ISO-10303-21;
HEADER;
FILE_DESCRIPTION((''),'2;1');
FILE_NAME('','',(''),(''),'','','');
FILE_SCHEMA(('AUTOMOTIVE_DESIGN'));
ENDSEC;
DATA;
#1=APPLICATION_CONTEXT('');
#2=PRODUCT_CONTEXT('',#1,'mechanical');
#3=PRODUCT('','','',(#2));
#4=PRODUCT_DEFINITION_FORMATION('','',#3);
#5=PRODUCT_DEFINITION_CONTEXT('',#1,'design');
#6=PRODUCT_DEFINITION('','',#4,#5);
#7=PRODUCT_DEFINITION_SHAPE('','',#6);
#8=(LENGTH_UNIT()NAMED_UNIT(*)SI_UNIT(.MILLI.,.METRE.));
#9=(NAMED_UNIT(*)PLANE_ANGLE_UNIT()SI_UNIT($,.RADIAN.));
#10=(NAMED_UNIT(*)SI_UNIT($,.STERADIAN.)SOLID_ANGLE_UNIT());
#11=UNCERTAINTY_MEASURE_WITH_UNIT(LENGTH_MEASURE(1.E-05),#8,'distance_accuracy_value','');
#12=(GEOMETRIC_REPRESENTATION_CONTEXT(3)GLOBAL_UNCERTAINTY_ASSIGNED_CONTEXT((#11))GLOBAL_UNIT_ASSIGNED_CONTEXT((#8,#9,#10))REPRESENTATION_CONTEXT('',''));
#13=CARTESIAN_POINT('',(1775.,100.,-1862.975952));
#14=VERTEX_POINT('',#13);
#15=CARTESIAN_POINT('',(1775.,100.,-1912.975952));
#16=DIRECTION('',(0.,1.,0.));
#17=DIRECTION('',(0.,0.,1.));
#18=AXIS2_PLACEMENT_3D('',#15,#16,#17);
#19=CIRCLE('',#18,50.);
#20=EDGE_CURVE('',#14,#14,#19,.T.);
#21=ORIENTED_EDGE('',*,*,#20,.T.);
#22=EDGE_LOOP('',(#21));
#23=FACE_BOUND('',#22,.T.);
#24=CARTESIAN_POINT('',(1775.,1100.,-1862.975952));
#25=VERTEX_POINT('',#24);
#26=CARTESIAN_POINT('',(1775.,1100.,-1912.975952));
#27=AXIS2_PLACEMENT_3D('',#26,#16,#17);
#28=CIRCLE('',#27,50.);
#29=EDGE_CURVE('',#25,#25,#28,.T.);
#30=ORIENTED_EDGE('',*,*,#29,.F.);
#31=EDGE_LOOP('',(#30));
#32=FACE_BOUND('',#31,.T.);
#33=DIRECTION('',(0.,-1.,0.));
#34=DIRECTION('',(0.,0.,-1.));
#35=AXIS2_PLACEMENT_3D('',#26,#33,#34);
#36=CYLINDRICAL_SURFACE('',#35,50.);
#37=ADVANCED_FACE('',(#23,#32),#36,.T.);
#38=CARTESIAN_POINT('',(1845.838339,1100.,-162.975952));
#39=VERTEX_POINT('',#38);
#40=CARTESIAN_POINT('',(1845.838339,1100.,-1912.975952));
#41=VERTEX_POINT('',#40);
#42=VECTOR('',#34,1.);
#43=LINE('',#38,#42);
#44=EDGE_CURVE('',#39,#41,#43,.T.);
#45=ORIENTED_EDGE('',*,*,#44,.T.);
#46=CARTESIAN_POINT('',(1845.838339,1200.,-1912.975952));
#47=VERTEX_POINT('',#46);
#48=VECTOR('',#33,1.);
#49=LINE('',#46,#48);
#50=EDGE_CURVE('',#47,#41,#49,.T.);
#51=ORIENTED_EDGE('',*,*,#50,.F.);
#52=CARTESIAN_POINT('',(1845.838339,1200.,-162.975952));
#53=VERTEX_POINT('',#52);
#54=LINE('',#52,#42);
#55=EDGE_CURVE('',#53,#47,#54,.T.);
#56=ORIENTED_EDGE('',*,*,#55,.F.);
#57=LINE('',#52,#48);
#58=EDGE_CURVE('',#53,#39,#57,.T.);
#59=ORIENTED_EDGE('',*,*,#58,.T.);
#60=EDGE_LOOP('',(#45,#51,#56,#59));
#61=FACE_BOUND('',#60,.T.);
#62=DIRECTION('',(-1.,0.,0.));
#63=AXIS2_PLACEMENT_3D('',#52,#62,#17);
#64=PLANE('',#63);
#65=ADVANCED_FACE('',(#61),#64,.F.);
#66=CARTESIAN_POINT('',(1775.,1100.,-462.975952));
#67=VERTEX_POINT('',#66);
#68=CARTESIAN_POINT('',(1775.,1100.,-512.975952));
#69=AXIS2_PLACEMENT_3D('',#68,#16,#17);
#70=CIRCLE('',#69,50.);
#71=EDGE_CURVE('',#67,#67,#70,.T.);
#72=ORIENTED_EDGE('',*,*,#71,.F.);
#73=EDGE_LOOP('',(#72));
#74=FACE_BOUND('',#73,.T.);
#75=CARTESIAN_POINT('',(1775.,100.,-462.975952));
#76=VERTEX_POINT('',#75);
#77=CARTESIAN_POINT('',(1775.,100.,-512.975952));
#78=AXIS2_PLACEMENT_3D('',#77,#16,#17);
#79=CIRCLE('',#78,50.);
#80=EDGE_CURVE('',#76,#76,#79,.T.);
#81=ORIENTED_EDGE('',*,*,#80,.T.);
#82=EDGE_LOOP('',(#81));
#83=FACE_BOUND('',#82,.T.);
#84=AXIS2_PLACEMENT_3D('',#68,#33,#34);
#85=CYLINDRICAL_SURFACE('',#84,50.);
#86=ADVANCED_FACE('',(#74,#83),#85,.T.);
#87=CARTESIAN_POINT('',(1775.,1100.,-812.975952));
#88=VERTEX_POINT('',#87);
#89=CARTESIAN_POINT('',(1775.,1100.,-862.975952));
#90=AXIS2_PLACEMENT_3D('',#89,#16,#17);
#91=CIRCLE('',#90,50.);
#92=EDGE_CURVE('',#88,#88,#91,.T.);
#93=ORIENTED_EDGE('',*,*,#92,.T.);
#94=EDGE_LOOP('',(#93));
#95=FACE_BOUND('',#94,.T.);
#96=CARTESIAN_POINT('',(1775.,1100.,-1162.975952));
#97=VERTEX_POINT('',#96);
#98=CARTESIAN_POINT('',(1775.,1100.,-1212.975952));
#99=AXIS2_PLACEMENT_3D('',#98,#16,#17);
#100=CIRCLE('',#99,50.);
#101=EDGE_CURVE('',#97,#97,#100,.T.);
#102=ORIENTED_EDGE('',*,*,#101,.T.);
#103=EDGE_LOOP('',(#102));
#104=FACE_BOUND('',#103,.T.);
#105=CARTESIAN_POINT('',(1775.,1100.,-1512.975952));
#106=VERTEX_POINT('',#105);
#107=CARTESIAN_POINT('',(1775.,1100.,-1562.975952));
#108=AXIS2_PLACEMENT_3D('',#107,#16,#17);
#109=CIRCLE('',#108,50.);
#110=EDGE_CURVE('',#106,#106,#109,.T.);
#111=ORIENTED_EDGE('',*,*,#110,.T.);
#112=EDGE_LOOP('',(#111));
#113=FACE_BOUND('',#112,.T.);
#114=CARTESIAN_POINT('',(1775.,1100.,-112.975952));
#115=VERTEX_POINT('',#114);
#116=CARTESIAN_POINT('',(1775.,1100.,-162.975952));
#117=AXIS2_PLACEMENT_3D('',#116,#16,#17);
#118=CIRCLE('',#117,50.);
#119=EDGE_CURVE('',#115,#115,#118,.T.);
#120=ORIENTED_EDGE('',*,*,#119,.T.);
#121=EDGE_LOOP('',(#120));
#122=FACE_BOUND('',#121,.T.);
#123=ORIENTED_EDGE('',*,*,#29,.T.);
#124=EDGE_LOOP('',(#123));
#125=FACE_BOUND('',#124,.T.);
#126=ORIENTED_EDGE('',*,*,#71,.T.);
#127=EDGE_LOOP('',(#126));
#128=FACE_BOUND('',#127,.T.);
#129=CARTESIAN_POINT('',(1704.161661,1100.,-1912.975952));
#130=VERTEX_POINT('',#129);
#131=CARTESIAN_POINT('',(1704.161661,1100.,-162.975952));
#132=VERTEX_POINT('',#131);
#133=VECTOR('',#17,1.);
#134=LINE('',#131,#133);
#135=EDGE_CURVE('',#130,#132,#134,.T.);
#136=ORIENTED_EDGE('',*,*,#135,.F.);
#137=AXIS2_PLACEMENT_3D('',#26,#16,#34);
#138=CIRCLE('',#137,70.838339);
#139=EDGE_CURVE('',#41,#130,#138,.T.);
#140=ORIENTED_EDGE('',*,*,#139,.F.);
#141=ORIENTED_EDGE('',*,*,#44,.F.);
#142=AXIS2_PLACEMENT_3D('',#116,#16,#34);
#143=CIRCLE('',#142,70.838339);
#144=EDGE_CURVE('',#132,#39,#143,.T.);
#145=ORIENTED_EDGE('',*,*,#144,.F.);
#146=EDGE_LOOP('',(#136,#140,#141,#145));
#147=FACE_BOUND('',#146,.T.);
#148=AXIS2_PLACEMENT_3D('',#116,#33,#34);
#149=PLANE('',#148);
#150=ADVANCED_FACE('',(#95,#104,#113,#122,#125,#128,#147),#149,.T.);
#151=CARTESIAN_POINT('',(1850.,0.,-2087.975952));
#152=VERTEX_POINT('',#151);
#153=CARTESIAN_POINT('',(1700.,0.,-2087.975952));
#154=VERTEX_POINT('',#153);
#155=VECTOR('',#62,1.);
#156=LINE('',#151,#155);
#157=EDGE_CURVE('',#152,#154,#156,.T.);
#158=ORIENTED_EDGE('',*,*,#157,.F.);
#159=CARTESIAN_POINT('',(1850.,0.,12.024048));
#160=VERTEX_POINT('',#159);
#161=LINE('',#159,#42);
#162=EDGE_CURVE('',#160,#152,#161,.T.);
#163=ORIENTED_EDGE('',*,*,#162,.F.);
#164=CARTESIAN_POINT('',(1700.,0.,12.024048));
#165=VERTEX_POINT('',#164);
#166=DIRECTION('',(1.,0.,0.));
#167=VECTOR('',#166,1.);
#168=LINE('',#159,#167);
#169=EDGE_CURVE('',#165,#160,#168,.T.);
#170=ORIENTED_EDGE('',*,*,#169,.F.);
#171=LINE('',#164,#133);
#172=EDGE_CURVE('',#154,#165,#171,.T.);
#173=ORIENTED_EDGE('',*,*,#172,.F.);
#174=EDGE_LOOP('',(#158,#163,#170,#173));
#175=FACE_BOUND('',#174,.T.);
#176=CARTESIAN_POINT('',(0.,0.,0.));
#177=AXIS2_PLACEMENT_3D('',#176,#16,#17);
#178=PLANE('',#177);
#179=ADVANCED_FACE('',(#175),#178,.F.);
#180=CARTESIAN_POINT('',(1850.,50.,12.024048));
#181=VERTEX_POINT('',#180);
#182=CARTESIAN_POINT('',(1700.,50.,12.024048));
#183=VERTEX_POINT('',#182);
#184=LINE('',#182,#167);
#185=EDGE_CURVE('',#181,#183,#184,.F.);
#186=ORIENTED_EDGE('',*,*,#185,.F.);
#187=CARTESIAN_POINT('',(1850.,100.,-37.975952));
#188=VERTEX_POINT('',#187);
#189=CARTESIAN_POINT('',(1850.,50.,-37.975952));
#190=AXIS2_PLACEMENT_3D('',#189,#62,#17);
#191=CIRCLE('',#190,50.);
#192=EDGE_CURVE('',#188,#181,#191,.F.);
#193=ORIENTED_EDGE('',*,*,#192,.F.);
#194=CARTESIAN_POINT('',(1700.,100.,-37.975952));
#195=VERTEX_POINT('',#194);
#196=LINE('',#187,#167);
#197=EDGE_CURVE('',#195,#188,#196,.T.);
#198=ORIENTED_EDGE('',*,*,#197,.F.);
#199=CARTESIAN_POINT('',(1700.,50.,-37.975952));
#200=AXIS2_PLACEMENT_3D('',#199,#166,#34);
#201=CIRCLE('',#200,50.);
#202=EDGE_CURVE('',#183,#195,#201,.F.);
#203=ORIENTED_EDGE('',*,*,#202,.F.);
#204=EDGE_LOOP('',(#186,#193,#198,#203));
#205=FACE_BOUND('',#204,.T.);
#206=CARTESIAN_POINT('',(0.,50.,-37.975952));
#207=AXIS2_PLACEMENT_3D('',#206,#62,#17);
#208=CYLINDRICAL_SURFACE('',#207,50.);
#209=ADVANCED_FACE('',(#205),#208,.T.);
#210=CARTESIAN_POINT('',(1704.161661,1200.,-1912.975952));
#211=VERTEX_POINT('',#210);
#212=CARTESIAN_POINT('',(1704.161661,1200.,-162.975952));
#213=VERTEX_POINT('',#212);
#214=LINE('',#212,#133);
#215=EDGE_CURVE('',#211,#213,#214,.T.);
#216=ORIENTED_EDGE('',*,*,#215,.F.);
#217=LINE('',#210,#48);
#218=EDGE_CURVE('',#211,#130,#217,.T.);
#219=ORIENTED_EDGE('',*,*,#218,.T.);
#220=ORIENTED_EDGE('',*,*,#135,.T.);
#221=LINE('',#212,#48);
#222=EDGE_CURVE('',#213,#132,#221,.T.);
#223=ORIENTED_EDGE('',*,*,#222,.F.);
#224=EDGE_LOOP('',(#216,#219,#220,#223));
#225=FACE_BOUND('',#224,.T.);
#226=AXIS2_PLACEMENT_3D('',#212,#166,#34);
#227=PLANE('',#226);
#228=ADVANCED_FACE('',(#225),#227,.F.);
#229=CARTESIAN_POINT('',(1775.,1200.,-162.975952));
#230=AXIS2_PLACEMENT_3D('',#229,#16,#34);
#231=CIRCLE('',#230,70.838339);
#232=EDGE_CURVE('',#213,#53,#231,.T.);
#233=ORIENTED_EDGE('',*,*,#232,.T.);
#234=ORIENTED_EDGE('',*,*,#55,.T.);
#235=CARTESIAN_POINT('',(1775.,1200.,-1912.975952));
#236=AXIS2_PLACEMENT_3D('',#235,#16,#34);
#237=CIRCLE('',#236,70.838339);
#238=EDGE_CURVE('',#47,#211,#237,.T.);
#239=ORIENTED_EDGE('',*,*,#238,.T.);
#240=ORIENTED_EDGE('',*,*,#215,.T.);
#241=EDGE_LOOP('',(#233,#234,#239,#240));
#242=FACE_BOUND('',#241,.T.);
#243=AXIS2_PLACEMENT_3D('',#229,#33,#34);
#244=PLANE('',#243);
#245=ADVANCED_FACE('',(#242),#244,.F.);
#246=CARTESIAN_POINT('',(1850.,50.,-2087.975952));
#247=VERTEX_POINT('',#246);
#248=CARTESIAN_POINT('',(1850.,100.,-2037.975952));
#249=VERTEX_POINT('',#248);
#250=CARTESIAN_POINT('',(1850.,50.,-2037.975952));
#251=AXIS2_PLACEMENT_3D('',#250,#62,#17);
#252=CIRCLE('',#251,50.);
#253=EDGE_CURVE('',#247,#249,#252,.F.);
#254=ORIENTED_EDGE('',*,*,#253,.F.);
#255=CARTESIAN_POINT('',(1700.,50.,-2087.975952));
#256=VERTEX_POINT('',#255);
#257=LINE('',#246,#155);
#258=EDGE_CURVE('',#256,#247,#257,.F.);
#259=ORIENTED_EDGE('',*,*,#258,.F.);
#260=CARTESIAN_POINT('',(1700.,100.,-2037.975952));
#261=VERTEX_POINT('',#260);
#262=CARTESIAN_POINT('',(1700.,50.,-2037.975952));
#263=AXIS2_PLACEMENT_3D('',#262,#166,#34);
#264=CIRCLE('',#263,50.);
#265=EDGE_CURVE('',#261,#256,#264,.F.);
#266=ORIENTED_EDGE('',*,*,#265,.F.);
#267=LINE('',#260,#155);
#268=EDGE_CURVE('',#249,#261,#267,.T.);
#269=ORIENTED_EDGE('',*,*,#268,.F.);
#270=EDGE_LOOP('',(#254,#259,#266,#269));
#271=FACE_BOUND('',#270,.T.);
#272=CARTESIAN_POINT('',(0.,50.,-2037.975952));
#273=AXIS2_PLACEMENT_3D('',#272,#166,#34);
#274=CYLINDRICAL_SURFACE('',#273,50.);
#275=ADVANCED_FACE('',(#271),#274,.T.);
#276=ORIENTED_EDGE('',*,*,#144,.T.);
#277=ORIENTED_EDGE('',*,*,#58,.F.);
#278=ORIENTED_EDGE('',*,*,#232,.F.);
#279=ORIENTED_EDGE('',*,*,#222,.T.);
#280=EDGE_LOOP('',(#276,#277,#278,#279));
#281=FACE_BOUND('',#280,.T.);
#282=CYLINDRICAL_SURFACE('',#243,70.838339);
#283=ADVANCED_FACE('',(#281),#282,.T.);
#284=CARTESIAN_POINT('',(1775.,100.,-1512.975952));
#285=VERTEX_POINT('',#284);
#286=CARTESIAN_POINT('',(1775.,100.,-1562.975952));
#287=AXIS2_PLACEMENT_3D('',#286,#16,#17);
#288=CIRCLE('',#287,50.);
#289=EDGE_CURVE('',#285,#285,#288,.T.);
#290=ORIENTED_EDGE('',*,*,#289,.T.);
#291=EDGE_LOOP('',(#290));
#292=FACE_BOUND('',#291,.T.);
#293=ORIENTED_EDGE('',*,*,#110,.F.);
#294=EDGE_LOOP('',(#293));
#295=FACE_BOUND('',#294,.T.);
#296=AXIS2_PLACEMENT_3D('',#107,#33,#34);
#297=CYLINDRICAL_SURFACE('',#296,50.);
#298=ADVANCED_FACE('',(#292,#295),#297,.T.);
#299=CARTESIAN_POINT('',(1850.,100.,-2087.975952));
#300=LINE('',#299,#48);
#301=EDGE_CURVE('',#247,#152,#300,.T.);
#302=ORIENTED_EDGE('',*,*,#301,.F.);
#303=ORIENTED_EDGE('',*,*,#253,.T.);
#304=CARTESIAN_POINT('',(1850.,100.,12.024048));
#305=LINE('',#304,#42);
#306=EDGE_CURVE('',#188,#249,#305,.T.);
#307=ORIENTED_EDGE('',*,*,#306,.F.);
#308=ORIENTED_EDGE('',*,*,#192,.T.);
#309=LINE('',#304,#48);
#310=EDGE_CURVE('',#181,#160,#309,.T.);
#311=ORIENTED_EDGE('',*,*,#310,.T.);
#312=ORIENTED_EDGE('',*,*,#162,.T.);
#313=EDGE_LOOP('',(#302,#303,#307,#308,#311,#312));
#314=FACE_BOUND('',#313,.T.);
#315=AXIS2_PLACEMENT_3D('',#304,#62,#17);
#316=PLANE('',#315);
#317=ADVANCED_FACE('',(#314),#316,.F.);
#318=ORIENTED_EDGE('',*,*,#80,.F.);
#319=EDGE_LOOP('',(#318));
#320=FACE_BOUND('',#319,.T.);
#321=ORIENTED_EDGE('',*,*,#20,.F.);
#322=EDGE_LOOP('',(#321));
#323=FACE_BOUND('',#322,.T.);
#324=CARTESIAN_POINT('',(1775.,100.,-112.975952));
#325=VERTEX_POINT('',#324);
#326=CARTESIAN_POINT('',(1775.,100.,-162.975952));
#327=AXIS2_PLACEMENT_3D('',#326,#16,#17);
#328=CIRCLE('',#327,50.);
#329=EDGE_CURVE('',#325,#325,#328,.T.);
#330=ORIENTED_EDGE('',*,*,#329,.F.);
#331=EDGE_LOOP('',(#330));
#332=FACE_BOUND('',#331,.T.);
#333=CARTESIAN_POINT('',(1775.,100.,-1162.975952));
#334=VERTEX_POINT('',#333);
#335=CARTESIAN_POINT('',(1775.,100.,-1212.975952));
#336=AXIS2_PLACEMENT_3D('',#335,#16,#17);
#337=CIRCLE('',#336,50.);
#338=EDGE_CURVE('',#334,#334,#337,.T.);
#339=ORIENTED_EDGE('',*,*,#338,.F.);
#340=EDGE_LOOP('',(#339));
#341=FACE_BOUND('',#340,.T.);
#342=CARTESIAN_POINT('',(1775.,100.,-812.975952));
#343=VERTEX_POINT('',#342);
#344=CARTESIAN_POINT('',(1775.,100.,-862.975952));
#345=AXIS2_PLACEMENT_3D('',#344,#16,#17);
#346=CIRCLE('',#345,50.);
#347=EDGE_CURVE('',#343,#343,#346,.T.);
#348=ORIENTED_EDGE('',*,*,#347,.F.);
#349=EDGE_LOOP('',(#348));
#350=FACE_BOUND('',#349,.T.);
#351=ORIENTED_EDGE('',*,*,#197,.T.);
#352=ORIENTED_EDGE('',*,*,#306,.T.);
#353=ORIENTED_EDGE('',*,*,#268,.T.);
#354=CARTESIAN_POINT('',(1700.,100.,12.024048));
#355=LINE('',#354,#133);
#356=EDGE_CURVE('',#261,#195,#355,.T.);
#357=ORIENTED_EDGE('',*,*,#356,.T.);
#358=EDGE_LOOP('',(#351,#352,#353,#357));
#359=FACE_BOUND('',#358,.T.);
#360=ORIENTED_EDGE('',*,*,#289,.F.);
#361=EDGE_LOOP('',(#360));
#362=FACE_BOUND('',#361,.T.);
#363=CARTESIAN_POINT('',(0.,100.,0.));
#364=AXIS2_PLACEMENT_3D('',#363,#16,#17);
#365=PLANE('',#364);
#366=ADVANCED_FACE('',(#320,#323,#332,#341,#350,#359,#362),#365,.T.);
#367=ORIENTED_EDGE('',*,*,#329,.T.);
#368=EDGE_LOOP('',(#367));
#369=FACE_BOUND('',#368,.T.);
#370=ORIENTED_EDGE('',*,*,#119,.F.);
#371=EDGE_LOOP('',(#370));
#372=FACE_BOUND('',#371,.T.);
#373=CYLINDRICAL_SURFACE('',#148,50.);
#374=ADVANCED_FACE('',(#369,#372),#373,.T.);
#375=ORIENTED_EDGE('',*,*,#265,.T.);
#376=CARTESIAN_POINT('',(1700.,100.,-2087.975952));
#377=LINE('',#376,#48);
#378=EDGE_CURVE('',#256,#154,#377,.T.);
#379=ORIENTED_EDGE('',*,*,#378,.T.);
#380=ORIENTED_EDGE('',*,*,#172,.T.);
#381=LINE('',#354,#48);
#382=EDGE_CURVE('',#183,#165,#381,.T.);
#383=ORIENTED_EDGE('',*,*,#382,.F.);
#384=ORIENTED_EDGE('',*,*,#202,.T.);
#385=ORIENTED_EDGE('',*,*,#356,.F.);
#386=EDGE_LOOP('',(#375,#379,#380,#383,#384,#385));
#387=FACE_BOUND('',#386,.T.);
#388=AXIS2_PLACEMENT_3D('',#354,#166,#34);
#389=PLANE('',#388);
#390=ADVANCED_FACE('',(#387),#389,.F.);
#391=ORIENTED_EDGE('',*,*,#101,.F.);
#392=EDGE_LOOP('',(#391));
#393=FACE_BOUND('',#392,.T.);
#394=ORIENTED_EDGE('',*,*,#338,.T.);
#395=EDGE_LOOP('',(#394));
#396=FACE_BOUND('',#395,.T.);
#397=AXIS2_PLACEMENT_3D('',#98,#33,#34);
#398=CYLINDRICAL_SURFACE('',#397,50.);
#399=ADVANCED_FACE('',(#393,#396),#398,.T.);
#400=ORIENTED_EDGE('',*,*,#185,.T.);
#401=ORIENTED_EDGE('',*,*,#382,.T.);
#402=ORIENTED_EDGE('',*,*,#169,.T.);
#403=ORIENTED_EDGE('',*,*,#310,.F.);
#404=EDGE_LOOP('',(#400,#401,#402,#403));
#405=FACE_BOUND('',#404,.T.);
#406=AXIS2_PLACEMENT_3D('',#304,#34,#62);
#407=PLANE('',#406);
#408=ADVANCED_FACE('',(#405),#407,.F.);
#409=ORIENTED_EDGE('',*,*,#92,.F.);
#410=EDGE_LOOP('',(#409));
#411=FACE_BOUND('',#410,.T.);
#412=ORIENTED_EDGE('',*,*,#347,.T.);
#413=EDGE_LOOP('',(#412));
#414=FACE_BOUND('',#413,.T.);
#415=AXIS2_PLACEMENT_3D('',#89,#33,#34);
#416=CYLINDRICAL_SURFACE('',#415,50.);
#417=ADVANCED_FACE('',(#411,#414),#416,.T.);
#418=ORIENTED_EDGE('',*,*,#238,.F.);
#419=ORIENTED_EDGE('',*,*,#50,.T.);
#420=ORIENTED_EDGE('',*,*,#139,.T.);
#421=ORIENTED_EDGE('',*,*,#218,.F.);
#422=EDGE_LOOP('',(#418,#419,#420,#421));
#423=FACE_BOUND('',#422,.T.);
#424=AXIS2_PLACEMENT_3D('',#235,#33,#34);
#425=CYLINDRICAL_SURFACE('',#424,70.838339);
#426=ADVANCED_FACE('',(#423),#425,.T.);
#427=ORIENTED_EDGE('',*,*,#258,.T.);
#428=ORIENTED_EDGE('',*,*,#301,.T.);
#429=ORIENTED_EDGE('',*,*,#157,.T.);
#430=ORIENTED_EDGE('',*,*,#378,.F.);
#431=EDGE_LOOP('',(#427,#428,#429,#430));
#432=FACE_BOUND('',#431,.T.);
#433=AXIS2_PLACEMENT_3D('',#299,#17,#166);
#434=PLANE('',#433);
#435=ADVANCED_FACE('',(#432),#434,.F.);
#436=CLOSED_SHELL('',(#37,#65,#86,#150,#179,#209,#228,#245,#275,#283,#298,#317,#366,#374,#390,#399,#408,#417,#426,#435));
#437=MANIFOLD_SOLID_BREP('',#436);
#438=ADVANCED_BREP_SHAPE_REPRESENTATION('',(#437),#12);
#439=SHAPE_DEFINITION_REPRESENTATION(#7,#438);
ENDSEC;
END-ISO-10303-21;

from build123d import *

# Parameters (mm, degrees)
SKETCH2_W               = 150
SKETCH2_H               = 2100
BOSS_EXTRUDE3_DEPTH     = 100
BOSS_EXTRUDE3_2_DEPTH   = 100
SKETCH3_R               = 50
BOSS_EXTRUDE4_DEPTH     = 1000
LPATTERN1_COUNT         = 6
LPATTERN1_PITCH         = 350
SKETCH5_R               = 50
BOSS_EXTRUDE5_DEPTH     = 1000
LPATTERN2_COUNT         = 6
LPATTERN2_PITCH         = 350
FILLET1_R               = 50
FILLET2_R               = 50
FILLET3_R               = 50
FILLET4_R               = 50
BOSS_EXTRUDE8_DEPTH     = 100
CUT_EXTRUDE1_DEPTH      = 2000
CUT_EXTRUDE1_DEPTH_BACK = 2000
SKETCH14_W              = 805.257541721
SKETCH14_H              = 2502.966116942


with BuildPart() as part:
    # Sketch2 → Boss-Extrude3 (new body)
    with BuildSketch(Plane(origin=(0, 0, 0), x_dir=(1, 0, 0), z_dir=(0, 1, 0))):
        with Locations((1775, 1037.975951904)):
            Rectangle(SKETCH2_W, SKETCH2_H)
    extrude(amount=BOSS_EXTRUDE3_DEPTH)

    # Sketch5 → Boss-Extrude5 (add)
    with BuildSketch(Plane(origin=(0, 100, 0), x_dir=(1, 0, 0), z_dir=(0, 1, 0))):
        with Locations(Location((1775, 1912.975951904, 0), (0, 0, 270))):
            Circle(SKETCH5_R)
    boss_extrude5 = extrude(amount=BOSS_EXTRUDE5_DEPTH)

    # LPattern2: Boss-Extrude5 ×6
    with Locations(*[(0, 0, i * LPATTERN2_PITCH) for i in range(1, LPATTERN2_COUNT)]):
        add(boss_extrude5)

    # Fillet3
    fillet3_edges = [part.edges().sort_by_distance(p)[0] for p in [
        (1775, 100, 12.024048096),
    ]]
    fillet(fillet3_edges, radius=FILLET3_R)

    # Fillet4
    fillet4_edges = [part.edges().sort_by_distance(p)[0] for p in [
        (1775, 100, -2087.975951904),
    ]]
    fillet(fillet4_edges, radius=FILLET4_R)



with BuildPart() as body_2:
    # Sketch2 → Boss-Extrude3 2 (new body)
    with BuildSketch(Plane(origin=(0, 0, 0), x_dir=(1, 0, 0), z_dir=(0, 1, 0))):
        with Locations((-1775, 1037.975951904)):
            Rectangle(SKETCH2_W, SKETCH2_H)
    extrude(amount=BOSS_EXTRUDE3_2_DEPTH)

    # Sketch3 → Boss-Extrude4 (add)
    with BuildSketch(Plane(origin=(0, 100, 0), x_dir=(1, 0, 0), z_dir=(0, 1, 0))):
        with Locations(Location((-1775, 162.975951904, 0), (0, 0, 90))):
            Circle(SKETCH3_R)
    boss_extrude4 = extrude(amount=BOSS_EXTRUDE4_DEPTH)

    # LPattern1: Boss-Extrude4 ×6
    with Locations(*[(0, 0, -i * LPATTERN1_PITCH) for i in range(1, LPATTERN1_COUNT)]):
        add(boss_extrude4)

    # Fillet1
    fillet1_edges = [body_2.edges().sort_by_distance(p)[0] for p in [
        (-1775, 100, -2087.975951904),
    ]]
    fillet(fillet1_edges, radius=FILLET1_R)

    # Fillet2
    fillet2_edges = [body_2.edges().sort_by_distance(p)[0] for p in [
        (-1775, 100, 12.024048096),
    ]]
    fillet(fillet2_edges, radius=FILLET2_R)


with BuildPart() as part_1:
    add(part.part)

    add(body_2.part)  # Boss-Extrude8 merges body 2
    # Sketch13 → Boss-Extrude8 (add)
    with BuildSketch(Plane(origin=(0, 1100, 0), x_dir=(1, 0, 0), z_dir=(0, 1, 0))):
        with BuildLine():
            Line((-1845.838339321, 162.975951904), (-1845.838339321, 1912.975951904))
            ThreePointArc((-1845.838339321, 1912.975951904), (-1775, 1983.814291225), (-1704.161660679, 1912.975951904))
            Line((-1704.161660679, 1912.975951904), (-1704.161660679, 162.975951904))
            ThreePointArc((-1704.161660679, 162.975951904), (-1775, 92.137612583), (-1845.838339321, 162.975951904))
        make_face()
        with BuildLine():
            Line((1845.838339321, 162.975951904), (1845.838339321, 1912.975951904))
            ThreePointArc((1845.838339321, 1912.975951904), (1775, 1983.814291225), (1704.161660679, 1912.975951904))
            Line((1704.161660679, 1912.975951904), (1704.161660679, 162.975951904))
            ThreePointArc((1704.161660679, 162.975951904), (1775, 92.137612583), (1845.838339321, 162.975951904))
        make_face()
    extrude(amount=BOSS_EXTRUDE8_DEPTH)

    # Sketch14 → Cut-Extrude1 (cut, two sides: drawn at the far end of the back side and taken through both)
    with BuildSketch(Plane(origin=(0, 1100, 0), x_dir=(1, 0, 0), z_dir=(0, 1, 0)).offset(-CUT_EXTRUDE1_DEPTH_BACK)):
        with Locations((-1496.523875696, 935.395373341)):
            Rectangle(SKETCH14_W, SKETCH14_H)
    extrude(amount=CUT_EXTRUDE1_DEPTH + CUT_EXTRUDE1_DEPTH_BACK, mode=Mode.SUBTRACT)


solid = part_1.part
